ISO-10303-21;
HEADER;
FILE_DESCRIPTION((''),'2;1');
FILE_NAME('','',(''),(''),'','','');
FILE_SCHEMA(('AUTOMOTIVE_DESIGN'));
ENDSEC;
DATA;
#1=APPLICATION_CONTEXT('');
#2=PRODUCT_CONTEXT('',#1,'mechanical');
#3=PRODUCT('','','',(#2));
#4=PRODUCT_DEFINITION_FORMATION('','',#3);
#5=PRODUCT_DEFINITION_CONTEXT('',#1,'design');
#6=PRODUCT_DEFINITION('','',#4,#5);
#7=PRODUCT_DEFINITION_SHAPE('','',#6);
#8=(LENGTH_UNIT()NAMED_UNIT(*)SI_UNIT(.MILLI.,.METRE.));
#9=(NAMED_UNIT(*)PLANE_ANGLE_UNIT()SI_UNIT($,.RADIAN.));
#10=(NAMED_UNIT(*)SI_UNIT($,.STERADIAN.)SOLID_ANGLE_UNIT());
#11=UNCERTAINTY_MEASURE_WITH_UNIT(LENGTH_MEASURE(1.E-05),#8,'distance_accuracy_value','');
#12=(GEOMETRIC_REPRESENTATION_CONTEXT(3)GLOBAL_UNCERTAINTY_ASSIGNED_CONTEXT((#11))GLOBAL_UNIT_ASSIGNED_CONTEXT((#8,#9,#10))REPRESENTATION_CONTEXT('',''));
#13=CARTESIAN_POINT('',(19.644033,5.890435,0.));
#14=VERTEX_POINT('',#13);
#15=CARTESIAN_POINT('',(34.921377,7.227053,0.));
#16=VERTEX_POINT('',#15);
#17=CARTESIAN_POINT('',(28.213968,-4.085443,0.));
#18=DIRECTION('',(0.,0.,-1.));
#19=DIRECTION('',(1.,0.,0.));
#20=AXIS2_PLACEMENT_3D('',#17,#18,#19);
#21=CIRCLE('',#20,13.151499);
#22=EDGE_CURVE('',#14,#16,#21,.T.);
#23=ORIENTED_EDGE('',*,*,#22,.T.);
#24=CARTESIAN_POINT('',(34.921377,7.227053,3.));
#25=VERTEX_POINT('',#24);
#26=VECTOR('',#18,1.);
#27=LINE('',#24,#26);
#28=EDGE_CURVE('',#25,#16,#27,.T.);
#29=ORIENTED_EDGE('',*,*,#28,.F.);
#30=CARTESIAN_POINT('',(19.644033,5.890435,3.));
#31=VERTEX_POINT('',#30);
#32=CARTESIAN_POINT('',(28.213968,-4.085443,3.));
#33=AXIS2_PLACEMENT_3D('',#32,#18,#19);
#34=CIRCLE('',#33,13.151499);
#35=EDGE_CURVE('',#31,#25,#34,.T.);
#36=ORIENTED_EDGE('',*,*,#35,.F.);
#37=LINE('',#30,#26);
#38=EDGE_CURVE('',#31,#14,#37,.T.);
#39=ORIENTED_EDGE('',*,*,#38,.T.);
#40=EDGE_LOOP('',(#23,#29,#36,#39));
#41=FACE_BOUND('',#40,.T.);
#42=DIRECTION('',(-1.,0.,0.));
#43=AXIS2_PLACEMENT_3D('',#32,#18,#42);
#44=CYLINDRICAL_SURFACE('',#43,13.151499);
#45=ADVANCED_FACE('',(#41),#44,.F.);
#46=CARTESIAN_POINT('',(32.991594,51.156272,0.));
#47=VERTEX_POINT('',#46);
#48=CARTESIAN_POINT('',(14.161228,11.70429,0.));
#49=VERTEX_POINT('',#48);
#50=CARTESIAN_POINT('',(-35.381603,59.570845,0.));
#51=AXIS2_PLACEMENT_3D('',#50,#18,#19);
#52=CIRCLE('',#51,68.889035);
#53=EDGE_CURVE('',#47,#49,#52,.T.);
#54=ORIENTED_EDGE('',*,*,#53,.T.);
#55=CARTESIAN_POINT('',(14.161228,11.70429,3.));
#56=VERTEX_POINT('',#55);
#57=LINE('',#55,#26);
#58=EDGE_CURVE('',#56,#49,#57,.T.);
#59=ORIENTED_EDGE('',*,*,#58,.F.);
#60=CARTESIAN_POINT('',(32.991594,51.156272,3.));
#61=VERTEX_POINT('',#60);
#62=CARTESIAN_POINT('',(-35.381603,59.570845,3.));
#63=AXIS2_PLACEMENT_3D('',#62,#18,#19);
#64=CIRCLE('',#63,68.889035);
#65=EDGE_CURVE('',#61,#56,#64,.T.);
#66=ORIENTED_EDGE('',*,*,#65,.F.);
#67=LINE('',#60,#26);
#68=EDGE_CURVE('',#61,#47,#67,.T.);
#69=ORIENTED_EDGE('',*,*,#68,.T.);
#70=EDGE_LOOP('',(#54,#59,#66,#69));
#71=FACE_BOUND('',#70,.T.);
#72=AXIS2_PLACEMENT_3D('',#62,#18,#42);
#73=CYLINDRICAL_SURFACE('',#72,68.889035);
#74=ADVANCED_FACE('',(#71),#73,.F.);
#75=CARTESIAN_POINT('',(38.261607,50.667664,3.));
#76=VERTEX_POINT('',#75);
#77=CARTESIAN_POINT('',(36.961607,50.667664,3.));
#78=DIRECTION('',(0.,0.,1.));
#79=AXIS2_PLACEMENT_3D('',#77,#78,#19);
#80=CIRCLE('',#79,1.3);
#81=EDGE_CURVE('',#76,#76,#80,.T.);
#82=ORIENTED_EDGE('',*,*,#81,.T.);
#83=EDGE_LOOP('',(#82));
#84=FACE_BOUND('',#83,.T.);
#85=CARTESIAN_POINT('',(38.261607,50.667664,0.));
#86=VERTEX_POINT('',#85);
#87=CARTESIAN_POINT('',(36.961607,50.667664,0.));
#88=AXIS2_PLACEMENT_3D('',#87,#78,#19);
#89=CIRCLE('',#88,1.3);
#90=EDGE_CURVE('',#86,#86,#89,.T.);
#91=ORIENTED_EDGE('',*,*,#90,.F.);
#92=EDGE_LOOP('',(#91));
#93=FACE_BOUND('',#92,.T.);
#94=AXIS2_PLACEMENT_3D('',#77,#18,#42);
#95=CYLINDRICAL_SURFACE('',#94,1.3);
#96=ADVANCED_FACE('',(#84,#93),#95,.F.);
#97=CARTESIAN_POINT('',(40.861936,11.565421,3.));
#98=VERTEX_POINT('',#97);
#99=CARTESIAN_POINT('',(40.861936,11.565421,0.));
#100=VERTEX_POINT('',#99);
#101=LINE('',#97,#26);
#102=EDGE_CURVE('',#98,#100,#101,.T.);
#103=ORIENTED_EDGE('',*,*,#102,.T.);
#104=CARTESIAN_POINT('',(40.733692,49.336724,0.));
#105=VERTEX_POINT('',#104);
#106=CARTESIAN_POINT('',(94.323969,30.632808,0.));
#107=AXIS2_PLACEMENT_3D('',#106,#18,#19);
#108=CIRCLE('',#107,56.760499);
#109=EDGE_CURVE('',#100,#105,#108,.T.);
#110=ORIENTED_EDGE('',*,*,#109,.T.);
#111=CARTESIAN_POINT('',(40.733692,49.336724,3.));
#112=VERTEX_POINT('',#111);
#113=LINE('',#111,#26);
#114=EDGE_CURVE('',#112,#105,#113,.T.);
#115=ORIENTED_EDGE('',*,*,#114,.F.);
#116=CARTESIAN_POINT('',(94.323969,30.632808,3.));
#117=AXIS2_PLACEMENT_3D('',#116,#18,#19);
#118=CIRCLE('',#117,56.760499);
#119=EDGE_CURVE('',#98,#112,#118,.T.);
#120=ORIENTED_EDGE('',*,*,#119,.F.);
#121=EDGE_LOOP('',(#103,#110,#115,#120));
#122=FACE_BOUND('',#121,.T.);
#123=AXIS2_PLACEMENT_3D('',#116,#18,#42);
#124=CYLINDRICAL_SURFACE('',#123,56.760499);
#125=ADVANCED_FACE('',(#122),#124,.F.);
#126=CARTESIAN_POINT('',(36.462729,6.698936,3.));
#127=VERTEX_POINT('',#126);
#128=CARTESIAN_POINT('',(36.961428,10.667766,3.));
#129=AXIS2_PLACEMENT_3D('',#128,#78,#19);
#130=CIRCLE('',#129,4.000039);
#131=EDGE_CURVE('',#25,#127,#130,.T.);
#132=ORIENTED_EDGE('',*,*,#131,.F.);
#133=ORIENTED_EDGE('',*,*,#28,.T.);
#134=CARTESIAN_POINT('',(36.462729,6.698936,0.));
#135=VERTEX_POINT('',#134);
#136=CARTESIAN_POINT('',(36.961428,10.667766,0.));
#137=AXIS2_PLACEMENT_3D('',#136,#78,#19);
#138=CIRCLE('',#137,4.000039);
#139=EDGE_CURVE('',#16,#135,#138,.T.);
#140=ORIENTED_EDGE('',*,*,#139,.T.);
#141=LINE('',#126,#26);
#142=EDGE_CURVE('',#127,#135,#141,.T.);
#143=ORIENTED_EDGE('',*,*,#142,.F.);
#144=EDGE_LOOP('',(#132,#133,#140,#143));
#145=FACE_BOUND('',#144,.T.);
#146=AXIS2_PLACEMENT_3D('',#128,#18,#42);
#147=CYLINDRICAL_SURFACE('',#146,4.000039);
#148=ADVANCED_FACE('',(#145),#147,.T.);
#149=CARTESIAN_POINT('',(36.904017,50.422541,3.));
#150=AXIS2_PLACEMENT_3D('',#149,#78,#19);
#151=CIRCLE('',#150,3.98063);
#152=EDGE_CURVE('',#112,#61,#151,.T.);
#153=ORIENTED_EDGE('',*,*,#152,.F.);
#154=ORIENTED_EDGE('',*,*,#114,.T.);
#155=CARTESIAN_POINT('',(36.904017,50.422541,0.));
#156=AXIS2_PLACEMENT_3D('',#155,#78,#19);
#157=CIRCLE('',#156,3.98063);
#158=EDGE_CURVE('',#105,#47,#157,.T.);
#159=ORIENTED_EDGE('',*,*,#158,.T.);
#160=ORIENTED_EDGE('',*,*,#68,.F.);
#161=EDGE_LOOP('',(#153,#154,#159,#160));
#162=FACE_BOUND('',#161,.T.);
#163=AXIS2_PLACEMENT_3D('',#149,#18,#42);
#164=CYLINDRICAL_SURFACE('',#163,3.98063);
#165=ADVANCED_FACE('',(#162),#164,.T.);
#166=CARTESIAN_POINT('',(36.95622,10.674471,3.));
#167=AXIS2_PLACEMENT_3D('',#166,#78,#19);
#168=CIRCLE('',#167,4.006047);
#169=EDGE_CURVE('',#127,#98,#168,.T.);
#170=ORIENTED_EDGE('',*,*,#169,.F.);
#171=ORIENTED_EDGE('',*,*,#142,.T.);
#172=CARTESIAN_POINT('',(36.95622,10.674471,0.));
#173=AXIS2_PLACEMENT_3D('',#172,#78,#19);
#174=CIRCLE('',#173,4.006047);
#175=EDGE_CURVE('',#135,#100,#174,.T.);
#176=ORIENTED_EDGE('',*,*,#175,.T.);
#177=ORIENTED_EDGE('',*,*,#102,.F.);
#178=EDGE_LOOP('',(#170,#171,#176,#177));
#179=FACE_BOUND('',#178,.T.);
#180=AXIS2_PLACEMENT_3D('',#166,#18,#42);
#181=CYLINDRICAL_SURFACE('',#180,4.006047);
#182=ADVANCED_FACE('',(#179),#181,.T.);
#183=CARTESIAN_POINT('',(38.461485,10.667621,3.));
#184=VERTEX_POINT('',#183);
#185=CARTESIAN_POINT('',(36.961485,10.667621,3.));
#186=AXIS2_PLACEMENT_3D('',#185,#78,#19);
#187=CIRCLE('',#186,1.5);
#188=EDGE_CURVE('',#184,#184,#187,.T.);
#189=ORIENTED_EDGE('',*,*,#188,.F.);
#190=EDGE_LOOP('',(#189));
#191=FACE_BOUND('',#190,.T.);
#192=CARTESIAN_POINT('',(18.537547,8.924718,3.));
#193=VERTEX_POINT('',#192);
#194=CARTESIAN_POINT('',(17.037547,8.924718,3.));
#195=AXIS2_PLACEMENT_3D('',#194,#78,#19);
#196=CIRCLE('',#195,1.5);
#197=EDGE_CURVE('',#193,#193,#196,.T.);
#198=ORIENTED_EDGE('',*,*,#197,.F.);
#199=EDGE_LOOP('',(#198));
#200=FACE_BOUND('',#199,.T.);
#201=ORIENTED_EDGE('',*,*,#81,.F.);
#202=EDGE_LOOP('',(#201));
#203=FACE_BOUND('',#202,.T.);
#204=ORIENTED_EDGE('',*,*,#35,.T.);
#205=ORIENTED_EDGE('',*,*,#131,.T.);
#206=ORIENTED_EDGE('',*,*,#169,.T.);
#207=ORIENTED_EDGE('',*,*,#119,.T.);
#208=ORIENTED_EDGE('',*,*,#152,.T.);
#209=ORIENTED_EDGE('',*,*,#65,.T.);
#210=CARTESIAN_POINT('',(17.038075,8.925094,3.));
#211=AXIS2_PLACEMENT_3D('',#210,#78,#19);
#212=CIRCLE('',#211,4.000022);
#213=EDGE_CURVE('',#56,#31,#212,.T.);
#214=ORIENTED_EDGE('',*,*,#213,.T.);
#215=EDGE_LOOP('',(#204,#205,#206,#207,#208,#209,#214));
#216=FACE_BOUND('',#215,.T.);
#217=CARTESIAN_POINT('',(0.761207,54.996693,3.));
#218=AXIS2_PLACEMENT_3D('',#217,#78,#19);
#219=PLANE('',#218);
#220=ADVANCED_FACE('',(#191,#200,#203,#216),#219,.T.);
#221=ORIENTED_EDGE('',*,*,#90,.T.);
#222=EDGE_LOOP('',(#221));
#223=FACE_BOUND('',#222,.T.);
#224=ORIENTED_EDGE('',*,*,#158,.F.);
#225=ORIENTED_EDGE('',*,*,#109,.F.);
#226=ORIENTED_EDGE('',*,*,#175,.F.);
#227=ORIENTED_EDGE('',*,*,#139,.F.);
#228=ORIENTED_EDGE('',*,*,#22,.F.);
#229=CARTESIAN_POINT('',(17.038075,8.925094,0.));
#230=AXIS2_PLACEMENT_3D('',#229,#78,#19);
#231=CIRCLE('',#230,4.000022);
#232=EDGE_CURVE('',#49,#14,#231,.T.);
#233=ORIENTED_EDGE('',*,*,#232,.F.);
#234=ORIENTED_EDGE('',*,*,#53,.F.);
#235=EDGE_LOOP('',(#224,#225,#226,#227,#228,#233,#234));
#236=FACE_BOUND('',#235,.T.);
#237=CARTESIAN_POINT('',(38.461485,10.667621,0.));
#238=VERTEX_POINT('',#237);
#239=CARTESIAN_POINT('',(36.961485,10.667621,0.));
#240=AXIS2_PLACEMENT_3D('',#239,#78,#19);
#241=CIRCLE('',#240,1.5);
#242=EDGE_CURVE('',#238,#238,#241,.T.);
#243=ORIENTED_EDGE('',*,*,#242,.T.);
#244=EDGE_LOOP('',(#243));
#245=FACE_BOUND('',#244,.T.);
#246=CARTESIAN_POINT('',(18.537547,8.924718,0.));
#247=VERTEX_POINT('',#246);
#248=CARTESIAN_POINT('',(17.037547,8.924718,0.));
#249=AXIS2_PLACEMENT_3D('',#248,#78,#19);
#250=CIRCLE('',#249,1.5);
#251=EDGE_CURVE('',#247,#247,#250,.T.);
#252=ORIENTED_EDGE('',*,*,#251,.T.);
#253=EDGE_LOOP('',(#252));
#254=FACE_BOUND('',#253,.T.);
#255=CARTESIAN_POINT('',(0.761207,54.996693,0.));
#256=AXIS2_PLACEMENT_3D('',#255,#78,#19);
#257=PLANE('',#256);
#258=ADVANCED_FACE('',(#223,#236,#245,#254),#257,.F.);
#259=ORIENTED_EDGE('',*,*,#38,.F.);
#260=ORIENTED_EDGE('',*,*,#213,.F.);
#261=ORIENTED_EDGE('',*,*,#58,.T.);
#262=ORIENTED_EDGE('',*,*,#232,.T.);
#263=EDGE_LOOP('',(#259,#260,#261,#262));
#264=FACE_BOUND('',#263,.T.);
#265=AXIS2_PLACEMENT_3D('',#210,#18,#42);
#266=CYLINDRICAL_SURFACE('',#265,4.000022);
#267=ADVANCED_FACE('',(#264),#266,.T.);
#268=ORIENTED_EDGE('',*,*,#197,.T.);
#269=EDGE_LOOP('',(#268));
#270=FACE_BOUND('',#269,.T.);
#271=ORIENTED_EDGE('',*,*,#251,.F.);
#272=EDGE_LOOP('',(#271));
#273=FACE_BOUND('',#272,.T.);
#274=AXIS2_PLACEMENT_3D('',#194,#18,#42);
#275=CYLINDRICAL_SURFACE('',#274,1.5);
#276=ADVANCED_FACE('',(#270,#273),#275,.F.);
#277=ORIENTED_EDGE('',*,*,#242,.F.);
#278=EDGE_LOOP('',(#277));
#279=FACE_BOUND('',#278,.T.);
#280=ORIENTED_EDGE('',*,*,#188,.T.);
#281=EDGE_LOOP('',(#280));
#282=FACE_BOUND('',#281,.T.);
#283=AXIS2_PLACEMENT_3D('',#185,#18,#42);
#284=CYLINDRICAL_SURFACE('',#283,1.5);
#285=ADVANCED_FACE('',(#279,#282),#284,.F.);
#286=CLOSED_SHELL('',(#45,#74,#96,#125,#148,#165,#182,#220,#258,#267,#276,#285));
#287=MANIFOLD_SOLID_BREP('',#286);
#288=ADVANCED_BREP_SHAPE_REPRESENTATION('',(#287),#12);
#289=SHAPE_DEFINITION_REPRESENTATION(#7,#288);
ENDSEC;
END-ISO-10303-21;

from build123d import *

# Parameters (mm, degrees)
MODEL_R             = 1.3
MODEL_R_2           = 1.5
BOSS_EXTRUDE1_DEPTH = 3


with BuildPart() as part:
    # Model → Boss-Extrude1 (new body)
    with BuildSketch(Plane.XY):
        with BuildLine():
            ThreePointArc((14.161227702, 11.70429003), (14.127993258, 6.180717338), (19.644033131, 5.890434821))
            ThreePointArc((19.644033131, 5.890434821), (27.067718512, 9.016008339), (34.921377151, 7.227053216))
            ThreePointArc((34.921377151, 7.227053216), (35.664878745, 6.883684708), (36.462728707, 6.698936254))
            ThreePointArc((36.462728707, 6.698936254), (39.928001734, 7.988038053), (40.861936188, 11.565420761))
            ThreePointArc((40.861936188, 11.565420761), (37.563797473, 30.440091822), (40.733692306, 49.336723623))
            ThreePointArc((40.733692306, 49.336723623), (37.814731301, 54.297590711), (32.991594421, 51.15627152))
            ThreePointArc((32.991594421, 51.15627152), (26.788825125, 29.897000757), (14.161227702, 11.70429003))
        make_face()
        with Locations((36.961607348, 50.667664276)):
            Circle(MODEL_R, mode=Mode.SUBTRACT)
        with Locations((17.037547355, 8.924717563)):
            Circle(MODEL_R_2, mode=Mode.SUBTRACT)
        with Locations((36.961484604, 10.667620763)):
            Circle(MODEL_R_2, mode=Mode.SUBTRACT)
    extrude(amount=BOSS_EXTRUDE1_DEPTH)


solid = part.part
